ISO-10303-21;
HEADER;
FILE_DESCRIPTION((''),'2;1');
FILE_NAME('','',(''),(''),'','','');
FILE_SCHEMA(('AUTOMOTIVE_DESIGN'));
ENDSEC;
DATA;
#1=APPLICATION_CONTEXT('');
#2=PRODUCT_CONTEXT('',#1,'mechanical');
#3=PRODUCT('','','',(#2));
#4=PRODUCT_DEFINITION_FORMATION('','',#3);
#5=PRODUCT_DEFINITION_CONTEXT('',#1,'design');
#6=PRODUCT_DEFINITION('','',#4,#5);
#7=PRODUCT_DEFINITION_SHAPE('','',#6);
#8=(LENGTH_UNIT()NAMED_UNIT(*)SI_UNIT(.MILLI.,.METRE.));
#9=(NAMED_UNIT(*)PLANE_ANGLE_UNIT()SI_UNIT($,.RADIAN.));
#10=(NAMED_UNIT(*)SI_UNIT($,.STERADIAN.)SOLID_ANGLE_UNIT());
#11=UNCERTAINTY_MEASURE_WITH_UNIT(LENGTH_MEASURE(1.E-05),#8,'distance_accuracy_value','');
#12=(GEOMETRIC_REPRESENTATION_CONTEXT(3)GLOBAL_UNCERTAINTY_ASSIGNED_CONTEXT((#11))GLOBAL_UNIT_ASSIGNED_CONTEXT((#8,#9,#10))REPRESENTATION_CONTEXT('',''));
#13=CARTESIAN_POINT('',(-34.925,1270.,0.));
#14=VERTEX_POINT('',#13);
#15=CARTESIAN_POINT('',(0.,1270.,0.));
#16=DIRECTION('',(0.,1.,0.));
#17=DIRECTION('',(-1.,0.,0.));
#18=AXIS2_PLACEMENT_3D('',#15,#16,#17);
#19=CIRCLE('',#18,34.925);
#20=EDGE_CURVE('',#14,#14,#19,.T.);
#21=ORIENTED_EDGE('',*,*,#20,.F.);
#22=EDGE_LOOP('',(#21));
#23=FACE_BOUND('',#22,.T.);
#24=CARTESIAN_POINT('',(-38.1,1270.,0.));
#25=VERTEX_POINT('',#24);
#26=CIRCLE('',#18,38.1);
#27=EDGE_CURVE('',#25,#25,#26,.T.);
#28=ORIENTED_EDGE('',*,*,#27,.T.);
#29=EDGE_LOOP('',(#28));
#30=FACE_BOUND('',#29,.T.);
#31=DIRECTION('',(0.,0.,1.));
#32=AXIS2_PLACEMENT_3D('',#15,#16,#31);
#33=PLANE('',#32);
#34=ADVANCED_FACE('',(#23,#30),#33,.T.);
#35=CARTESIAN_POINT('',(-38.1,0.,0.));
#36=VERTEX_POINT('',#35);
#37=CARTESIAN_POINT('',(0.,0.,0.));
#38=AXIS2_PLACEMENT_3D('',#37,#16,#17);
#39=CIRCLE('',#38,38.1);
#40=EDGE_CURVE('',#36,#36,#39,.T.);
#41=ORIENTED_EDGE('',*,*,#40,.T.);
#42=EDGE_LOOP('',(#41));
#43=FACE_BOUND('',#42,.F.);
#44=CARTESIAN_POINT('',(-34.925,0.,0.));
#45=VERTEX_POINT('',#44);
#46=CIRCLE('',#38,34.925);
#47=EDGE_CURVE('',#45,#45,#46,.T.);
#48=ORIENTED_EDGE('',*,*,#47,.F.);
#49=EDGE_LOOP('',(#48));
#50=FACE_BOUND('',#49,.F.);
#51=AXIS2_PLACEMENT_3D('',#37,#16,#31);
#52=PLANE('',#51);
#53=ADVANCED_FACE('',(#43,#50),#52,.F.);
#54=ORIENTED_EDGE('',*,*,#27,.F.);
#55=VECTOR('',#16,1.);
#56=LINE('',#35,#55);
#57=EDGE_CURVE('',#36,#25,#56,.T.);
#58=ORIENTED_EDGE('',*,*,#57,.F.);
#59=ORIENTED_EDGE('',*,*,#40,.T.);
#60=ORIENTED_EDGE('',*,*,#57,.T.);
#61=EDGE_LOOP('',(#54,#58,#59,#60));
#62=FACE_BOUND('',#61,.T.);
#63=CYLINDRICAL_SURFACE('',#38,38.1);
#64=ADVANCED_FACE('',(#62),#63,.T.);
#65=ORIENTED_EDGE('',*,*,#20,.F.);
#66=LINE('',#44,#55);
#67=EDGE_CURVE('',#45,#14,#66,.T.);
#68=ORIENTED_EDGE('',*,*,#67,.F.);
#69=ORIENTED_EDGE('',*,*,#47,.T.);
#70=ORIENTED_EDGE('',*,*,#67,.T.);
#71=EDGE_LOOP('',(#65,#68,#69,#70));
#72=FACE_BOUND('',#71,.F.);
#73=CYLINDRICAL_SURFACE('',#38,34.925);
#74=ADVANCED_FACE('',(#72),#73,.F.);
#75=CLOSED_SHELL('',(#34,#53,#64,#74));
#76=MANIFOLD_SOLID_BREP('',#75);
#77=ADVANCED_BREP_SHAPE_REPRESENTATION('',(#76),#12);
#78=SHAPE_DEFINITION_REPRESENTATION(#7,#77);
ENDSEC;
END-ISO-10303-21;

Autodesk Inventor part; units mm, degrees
ref_plane "YZ Plane" through (0, 0, 0) normal (1, 0, 0) x (0, 1, 0)
ref_plane "XZ Plane" through (0, 0, 0) normal (0, 1, 0) x (-1, 0, 0)
ref_plane "XY Plane" through (0, 0, 0) normal (0, 0, 1) x (1, 0, 0)
sketch "Sketch1" plane through (0, 0, 0) normal (0, 1, 0) x (-1, 0, 0)
  point P0 (0, 0)
sketch "Sketch2" plane through (0, 0, 0) normal (0, 1, 0) x (-1, 0, 0)
  circle A0 centre (0, 0) radius 34.925
  circle A1 centre (0, 0) radius 38.1
  dimension "d1" = 69.85
  dimension "d2" = 76.2
sketch3d "3D Sketch1"
  line L0 (0, 0, 0) -> (0, 1270, 0)
  dimension "d0" = 1270
sweep "Sweep1" add profiles "Sketch2" path "3D Sketch1"
properties part number "Poop chute"
